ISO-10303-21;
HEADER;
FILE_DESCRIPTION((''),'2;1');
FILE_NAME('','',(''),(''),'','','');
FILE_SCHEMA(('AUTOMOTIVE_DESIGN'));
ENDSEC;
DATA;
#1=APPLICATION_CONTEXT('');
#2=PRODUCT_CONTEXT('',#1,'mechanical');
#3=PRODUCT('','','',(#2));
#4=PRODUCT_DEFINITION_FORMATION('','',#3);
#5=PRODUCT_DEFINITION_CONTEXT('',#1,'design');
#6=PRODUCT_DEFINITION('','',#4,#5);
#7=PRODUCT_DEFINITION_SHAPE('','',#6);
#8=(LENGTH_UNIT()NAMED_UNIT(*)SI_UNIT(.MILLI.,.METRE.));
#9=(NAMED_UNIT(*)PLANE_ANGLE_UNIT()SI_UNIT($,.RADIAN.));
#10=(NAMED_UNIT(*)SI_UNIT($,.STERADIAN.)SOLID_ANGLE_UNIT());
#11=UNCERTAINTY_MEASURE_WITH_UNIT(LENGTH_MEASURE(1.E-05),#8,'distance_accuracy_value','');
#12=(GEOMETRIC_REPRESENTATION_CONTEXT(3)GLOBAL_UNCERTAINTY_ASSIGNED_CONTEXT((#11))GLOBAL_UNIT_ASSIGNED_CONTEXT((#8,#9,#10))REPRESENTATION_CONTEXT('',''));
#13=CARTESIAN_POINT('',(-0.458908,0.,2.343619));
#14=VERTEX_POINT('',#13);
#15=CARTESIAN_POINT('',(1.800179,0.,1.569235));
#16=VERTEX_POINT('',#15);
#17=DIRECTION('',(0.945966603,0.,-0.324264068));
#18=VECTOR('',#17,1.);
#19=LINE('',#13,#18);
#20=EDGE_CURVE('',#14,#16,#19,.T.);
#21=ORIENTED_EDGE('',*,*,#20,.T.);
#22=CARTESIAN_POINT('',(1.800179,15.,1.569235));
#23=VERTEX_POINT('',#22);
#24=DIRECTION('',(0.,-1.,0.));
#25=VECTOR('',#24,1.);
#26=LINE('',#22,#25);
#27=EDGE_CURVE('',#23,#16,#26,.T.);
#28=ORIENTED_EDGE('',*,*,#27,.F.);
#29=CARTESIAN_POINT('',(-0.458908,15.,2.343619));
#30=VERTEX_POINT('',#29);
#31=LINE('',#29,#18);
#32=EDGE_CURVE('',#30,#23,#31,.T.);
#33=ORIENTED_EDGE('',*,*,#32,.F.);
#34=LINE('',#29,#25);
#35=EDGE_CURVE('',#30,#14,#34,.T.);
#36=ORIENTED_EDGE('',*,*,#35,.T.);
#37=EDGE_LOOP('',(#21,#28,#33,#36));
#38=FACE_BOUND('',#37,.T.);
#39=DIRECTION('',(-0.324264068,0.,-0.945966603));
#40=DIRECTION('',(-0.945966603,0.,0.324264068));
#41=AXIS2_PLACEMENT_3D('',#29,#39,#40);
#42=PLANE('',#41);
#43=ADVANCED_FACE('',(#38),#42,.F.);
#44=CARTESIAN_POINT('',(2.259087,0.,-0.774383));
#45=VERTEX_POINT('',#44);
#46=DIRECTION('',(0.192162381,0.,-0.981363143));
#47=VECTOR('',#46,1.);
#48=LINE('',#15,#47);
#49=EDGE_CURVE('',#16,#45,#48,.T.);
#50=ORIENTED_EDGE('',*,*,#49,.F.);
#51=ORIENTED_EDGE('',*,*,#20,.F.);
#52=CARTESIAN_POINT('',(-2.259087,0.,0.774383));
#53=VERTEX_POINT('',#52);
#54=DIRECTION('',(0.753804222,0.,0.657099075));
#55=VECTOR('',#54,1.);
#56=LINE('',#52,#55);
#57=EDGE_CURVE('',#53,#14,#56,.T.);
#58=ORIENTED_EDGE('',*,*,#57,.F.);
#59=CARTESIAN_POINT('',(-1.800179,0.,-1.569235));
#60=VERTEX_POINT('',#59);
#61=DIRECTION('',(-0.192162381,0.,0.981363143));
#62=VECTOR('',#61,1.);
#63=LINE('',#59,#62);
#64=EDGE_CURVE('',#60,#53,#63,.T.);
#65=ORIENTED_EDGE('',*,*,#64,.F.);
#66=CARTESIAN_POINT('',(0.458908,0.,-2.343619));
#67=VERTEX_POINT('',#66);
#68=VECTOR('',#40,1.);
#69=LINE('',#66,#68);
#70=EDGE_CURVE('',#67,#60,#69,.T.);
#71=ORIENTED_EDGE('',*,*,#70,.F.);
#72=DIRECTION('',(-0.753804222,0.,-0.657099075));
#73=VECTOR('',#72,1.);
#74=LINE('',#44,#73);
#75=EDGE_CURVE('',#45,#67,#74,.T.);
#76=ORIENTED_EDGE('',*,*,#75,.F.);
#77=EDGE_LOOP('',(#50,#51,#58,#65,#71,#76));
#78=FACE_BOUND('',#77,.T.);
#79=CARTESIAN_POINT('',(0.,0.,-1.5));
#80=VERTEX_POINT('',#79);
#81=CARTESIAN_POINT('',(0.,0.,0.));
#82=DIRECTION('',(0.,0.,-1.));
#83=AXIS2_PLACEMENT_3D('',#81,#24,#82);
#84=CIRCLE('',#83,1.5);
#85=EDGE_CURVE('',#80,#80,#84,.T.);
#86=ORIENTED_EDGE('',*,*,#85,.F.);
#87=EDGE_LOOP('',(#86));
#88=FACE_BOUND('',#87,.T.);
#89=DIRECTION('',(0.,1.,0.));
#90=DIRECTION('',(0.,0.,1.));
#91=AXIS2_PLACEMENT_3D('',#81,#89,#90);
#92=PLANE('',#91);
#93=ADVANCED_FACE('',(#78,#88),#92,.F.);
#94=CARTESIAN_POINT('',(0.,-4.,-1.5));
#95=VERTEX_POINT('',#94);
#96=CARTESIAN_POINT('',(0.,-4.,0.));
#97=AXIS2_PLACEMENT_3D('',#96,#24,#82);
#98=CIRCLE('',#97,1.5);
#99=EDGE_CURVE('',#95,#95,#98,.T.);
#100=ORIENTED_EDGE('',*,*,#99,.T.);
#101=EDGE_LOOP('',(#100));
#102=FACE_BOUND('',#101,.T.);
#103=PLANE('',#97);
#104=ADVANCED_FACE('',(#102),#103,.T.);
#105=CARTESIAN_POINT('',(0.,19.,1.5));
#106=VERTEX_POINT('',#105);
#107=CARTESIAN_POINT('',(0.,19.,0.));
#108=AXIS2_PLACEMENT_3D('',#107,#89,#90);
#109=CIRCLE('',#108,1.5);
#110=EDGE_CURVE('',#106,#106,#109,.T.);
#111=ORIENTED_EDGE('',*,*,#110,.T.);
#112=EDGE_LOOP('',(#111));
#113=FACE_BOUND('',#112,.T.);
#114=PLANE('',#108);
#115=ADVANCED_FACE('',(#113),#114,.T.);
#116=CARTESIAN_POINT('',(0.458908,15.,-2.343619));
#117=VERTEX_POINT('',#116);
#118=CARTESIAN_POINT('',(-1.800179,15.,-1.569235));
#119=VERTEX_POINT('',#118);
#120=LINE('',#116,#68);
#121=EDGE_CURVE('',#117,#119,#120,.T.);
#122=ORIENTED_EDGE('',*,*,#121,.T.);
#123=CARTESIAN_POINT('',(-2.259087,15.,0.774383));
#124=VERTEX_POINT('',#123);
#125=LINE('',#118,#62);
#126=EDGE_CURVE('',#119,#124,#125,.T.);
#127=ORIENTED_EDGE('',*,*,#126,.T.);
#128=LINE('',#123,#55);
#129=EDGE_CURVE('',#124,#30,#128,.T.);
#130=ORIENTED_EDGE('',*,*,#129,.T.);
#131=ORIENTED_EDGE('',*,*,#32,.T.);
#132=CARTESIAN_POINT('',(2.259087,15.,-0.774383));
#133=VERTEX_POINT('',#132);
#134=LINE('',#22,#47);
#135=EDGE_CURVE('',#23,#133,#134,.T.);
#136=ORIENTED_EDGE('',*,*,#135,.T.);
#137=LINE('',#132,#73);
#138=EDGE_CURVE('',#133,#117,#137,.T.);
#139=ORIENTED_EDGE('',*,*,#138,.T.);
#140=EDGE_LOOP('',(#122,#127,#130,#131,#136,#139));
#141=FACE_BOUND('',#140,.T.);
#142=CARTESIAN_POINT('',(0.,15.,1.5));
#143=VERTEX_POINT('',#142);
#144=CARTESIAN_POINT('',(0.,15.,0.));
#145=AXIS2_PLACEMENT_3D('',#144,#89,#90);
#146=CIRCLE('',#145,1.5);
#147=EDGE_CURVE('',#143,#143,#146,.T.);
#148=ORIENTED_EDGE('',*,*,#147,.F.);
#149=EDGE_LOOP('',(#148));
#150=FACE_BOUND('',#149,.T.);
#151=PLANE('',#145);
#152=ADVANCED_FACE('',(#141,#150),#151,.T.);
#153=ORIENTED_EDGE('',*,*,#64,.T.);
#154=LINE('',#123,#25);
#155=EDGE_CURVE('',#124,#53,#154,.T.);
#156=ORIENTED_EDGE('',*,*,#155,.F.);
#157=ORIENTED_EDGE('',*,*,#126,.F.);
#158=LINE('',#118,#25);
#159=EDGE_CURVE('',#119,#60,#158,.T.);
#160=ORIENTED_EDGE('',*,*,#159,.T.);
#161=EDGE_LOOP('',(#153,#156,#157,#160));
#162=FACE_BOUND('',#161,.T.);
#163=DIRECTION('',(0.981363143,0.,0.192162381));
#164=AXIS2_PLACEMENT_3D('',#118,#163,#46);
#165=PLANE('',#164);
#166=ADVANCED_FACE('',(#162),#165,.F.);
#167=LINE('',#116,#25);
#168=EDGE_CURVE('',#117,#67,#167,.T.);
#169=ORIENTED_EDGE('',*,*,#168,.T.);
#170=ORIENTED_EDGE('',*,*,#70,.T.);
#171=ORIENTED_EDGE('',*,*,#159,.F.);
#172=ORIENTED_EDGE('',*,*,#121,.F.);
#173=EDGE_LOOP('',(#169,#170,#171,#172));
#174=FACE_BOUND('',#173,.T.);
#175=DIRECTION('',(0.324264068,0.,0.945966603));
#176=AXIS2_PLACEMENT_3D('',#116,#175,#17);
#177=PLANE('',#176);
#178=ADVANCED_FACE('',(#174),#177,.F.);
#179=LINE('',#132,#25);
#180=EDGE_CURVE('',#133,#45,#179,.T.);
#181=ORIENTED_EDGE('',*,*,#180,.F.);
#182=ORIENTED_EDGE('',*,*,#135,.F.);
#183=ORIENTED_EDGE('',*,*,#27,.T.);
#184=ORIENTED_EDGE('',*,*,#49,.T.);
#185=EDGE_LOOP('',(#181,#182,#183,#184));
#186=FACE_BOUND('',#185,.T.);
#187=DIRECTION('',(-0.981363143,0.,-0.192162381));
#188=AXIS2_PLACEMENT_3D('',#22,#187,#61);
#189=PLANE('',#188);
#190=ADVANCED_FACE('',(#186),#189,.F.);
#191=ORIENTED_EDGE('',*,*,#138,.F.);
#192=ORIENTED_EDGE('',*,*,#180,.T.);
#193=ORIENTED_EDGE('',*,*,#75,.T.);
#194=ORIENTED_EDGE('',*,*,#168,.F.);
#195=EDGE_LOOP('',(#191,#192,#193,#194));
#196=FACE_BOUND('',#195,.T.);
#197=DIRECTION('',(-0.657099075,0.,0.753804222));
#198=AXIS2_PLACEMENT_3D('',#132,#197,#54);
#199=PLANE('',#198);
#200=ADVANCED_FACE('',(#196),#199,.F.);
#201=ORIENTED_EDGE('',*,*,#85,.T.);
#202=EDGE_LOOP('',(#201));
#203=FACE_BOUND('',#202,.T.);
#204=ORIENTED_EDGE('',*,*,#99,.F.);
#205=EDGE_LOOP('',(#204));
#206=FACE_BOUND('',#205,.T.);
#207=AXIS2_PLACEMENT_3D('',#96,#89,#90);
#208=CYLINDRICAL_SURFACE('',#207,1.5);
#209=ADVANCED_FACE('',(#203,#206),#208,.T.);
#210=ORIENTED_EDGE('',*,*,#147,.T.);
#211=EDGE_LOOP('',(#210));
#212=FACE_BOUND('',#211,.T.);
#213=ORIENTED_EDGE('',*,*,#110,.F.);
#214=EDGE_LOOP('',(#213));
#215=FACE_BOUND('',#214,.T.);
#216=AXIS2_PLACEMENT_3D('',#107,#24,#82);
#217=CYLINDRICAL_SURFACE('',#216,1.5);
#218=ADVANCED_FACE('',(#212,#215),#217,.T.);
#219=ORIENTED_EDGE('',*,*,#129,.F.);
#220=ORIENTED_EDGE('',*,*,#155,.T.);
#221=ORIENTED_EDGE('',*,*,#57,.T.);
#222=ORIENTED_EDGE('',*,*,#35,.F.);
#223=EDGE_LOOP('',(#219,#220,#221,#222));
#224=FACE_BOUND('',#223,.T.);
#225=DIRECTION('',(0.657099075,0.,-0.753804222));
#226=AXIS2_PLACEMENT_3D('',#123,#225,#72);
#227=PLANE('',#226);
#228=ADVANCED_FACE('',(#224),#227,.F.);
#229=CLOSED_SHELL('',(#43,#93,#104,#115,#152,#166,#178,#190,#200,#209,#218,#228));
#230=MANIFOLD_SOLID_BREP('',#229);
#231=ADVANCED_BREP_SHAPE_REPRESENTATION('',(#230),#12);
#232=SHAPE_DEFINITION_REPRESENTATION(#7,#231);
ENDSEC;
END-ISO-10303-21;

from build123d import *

# Parameters (mm, degrees)
BOSS_EXTRUDE1_DEPTH = 15
SKETCH2_R           = 1.5
BOSS_EXTRUDE2_DEPTH = 4
SKETCH3_R           = 1.5
BOSS_EXTRUDE3_DEPTH = 4


with BuildPart() as part:
    # Sketch1 → Boss-Extrude1 (new body)
    with BuildSketch(Plane(origin=(0, 0, 0), x_dir=(1, 0, 0), z_dir=(0, 1, 0))):
        Polygon((1.800179217, -1.569235172), (2.259087132, 0.774383347), (0.458907915, 2.343618519), (-1.800179217, 1.569235172), (-2.259087132, -0.774383347), (-0.458907915, -2.343618519), align=None)
    extrude(amount=BOSS_EXTRUDE1_DEPTH)

    # Sketch2 → Boss-Extrude2 (add)
    with BuildSketch(Plane(origin=(0, 15, 0), x_dir=(1, 0, 0), z_dir=(0, 1, 0))):
        Circle(SKETCH2_R)
    extrude(amount=BOSS_EXTRUDE2_DEPTH)

    # Sketch3 → Boss-Extrude3 (add)
    with BuildSketch(Plane.XZ):
        Circle(SKETCH3_R)
    extrude(amount=BOSS_EXTRUDE3_DEPTH)


solid = part.part
